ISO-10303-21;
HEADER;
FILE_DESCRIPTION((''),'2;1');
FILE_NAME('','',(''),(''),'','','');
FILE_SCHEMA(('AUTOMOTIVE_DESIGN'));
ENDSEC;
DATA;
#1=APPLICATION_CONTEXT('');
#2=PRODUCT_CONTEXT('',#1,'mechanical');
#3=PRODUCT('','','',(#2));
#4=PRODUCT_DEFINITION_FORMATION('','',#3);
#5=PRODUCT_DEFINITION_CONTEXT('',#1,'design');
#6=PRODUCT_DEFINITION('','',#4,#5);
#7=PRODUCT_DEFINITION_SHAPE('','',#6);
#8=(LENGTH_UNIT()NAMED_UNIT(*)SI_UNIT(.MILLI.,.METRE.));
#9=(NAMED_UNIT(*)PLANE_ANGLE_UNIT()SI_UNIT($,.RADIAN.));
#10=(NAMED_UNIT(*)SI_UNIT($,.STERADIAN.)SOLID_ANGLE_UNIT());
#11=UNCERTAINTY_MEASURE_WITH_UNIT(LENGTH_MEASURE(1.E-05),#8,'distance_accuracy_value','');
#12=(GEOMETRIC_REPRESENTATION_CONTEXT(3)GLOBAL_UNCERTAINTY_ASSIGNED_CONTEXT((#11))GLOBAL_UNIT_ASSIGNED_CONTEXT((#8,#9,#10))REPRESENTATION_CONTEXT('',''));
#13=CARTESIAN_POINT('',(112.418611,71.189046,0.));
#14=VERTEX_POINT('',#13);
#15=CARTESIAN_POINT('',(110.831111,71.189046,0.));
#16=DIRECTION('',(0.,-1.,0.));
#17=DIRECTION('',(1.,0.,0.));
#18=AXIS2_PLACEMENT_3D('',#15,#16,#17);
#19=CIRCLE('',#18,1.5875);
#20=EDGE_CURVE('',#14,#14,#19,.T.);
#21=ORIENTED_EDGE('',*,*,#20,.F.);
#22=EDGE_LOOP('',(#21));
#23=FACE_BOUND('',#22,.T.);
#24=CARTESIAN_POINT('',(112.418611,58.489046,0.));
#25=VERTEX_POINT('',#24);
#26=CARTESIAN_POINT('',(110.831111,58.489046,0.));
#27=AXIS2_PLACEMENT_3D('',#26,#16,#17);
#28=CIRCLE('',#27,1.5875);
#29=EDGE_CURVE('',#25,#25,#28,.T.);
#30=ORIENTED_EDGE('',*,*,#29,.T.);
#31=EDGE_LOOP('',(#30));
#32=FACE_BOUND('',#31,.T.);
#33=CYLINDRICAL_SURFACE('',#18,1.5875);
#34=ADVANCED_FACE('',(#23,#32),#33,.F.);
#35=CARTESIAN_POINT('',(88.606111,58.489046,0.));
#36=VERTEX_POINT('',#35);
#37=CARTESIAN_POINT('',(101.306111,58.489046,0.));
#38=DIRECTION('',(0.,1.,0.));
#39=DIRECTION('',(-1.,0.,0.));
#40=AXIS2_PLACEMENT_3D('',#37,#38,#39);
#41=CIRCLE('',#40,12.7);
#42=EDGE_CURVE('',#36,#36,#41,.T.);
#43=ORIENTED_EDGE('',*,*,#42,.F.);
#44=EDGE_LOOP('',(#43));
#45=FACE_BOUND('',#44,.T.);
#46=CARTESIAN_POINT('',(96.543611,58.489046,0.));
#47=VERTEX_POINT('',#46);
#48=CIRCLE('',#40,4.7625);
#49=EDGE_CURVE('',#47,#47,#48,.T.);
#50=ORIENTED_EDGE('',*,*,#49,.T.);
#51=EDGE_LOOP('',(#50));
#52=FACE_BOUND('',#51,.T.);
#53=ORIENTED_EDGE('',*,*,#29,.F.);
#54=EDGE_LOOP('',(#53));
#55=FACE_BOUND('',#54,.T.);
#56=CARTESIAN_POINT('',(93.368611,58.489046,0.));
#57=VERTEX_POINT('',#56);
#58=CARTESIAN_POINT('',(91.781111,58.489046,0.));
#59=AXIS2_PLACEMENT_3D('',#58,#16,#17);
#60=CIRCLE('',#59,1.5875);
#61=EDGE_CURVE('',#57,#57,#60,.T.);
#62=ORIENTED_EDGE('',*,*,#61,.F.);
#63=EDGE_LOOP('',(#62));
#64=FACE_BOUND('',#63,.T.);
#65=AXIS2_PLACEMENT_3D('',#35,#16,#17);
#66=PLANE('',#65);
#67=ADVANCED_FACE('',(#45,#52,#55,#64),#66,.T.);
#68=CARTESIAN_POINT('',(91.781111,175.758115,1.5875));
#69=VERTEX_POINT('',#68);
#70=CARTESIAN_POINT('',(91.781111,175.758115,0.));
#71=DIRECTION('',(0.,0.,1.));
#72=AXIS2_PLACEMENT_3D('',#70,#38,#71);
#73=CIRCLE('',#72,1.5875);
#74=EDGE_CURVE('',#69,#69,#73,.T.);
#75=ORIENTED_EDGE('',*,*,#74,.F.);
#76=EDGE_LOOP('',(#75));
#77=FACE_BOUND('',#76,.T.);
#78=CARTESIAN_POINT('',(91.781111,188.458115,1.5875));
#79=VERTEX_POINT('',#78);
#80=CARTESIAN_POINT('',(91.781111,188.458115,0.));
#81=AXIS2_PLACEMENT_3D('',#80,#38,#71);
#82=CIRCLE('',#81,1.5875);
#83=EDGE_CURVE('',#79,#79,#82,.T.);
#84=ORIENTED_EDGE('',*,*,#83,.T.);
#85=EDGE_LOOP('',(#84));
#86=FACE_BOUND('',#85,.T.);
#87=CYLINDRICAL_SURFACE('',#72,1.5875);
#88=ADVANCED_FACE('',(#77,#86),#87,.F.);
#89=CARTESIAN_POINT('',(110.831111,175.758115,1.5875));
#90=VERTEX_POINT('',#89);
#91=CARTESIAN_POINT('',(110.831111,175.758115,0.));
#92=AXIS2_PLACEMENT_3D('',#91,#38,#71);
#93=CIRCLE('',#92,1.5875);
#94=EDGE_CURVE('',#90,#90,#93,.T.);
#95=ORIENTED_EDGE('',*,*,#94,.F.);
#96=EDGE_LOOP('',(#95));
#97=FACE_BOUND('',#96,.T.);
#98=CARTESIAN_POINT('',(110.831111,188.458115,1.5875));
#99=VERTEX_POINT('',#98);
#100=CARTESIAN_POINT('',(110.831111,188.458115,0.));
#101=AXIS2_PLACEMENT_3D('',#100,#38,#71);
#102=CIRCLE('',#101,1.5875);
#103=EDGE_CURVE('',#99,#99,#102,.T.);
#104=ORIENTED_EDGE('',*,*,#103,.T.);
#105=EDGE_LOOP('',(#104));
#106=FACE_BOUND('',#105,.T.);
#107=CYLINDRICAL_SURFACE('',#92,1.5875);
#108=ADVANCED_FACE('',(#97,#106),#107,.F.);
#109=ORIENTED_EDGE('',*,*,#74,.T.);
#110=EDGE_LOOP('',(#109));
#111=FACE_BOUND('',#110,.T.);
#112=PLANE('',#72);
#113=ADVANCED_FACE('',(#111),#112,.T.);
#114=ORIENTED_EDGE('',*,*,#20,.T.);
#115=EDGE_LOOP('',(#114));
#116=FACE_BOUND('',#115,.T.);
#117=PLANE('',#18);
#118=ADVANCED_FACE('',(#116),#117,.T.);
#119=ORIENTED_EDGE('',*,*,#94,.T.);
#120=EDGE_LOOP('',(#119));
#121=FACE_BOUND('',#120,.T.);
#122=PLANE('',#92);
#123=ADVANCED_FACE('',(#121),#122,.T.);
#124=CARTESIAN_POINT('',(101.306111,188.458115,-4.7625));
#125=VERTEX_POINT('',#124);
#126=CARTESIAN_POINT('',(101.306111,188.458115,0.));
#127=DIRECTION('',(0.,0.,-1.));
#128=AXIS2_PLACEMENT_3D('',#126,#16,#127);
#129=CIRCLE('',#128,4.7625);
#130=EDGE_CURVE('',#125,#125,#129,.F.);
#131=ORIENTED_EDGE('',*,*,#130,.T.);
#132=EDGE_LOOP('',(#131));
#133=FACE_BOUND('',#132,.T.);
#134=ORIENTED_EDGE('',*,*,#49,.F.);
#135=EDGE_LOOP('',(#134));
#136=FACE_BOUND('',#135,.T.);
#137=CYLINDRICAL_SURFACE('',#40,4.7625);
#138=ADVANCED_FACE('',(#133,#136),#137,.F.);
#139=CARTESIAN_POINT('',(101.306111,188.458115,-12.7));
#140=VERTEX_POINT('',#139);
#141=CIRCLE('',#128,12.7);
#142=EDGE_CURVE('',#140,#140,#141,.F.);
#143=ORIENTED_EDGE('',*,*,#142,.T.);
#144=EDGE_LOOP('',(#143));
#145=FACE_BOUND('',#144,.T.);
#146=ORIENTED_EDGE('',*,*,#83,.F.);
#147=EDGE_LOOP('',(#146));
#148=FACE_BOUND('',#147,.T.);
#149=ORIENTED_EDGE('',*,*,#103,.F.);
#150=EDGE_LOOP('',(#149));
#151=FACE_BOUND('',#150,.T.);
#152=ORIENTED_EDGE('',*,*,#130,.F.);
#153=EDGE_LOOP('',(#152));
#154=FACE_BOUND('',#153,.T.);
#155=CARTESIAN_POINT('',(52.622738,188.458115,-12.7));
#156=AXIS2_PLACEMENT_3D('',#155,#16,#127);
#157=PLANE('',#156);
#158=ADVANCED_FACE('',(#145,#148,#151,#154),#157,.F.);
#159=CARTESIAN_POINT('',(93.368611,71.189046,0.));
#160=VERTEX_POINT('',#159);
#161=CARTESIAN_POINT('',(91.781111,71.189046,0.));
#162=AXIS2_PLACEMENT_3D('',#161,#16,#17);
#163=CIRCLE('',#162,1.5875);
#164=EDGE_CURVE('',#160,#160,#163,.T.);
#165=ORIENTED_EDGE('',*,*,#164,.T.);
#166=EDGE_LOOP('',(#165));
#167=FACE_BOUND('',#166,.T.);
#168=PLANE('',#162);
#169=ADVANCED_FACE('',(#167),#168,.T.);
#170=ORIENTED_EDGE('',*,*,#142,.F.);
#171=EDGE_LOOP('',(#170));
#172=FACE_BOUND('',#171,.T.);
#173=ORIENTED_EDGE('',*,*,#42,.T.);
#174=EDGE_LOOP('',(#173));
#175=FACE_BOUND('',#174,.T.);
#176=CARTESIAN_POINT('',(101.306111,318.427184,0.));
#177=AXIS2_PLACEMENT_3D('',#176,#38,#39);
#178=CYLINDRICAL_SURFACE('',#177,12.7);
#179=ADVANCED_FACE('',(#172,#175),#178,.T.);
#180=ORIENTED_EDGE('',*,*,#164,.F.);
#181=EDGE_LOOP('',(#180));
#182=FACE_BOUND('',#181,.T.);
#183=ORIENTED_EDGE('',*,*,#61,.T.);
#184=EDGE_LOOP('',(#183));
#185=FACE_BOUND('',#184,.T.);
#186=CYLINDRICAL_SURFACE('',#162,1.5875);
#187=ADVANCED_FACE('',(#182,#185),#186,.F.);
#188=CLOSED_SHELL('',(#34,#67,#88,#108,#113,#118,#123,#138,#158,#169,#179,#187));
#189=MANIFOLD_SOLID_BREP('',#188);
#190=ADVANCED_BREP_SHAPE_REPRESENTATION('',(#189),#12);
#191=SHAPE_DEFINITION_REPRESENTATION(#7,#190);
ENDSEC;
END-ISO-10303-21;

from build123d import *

# Parameters (mm, degrees)
SKETCH1_W               = 12.7
SKETCH1_H               = 259.938138032
SKETCH2_R               = 4.7625
CUT_EXTRUDE1_DEPTH      = 285.124126062
CUT_EXTRUDE2_DEPTH      = 339.459088986
CUT_EXTRUDE2_DEPTH_BACK = 339.459088986
SKETCH3_W               = 82.52004382
SKETCH3_H               = 140.871037148
SKETCH4_R               = 1.5875
CUT_EXTRUDE3_DEPTH      = 12.7
CUT_EXTRUDE4_START      = -12.7
SKETCH5_R               = 1.5875
CUT_EXTRUDE4_DEPTH      = 12.7


with BuildPart() as part:
    # Sketch1 → Revolve1 (revolve)
    with BuildSketch(Plane.XY):
        with Locations((94.956111271, 188.458114984)):
            Rectangle(SKETCH1_W, SKETCH1_H)
    revolve(axis=Axis((101.306111271, 318.427184, 0), (0, -1, 0)))

    # Sketch2 → Cut-Extrude1 (cut, through all)
    with BuildSketch(Plane(origin=(0, 318.427184, 0), x_dir=(1, 0, 0), z_dir=(0, 1, 0))):
        with Locations(Location((101.306111271, 0, 0), (0, 0, 180))):
            Circle(SKETCH2_R)
    extrude(amount=-CUT_EXTRUDE1_DEPTH, mode=Mode.SUBTRACT)

    # Sketch3 → Cut-Extrude2 (cut, two sides: drawn at the far end of the back side and taken through both)
    with BuildSketch(Plane.XY.offset(-CUT_EXTRUDE2_DEPTH_BACK)):
        with Locations((93.882760048, 258.893633558)):
            Rectangle(SKETCH3_W, SKETCH3_H)
    extrude(amount=CUT_EXTRUDE2_DEPTH + CUT_EXTRUDE2_DEPTH_BACK, mode=Mode.SUBTRACT)

    # Sketch4 → Cut-Extrude3 (cut)
    with BuildSketch(Plane(origin=(0, 188.458114984, 0), x_dir=(1, 0, 0), z_dir=(0, 1, 0))):
        with Locations(Location((91.781111271, 0, 0), (0, 0, 270))):
            Circle(SKETCH4_R)
        with Locations(Location((110.831111271, 0, 0), (0, 0, 270))):
            Circle(SKETCH4_R)
    extrude(amount=-CUT_EXTRUDE3_DEPTH, mode=Mode.SUBTRACT)

    # Sketch5 → Cut-Extrude4 (cut)
    with BuildSketch(Plane.XZ.offset(-58.489045968).offset(CUT_EXTRUDE4_START)):
        with Locations(Location((91.781111271, 0, 0), (0, 0, 90))):
            Circle(SKETCH5_R)
        with Locations(Location((110.831111271, 0, 0), (0, 0, 90))):
            Circle(SKETCH5_R)
    extrude(amount=CUT_EXTRUDE4_DEPTH, mode=Mode.SUBTRACT)


solid = part.part
